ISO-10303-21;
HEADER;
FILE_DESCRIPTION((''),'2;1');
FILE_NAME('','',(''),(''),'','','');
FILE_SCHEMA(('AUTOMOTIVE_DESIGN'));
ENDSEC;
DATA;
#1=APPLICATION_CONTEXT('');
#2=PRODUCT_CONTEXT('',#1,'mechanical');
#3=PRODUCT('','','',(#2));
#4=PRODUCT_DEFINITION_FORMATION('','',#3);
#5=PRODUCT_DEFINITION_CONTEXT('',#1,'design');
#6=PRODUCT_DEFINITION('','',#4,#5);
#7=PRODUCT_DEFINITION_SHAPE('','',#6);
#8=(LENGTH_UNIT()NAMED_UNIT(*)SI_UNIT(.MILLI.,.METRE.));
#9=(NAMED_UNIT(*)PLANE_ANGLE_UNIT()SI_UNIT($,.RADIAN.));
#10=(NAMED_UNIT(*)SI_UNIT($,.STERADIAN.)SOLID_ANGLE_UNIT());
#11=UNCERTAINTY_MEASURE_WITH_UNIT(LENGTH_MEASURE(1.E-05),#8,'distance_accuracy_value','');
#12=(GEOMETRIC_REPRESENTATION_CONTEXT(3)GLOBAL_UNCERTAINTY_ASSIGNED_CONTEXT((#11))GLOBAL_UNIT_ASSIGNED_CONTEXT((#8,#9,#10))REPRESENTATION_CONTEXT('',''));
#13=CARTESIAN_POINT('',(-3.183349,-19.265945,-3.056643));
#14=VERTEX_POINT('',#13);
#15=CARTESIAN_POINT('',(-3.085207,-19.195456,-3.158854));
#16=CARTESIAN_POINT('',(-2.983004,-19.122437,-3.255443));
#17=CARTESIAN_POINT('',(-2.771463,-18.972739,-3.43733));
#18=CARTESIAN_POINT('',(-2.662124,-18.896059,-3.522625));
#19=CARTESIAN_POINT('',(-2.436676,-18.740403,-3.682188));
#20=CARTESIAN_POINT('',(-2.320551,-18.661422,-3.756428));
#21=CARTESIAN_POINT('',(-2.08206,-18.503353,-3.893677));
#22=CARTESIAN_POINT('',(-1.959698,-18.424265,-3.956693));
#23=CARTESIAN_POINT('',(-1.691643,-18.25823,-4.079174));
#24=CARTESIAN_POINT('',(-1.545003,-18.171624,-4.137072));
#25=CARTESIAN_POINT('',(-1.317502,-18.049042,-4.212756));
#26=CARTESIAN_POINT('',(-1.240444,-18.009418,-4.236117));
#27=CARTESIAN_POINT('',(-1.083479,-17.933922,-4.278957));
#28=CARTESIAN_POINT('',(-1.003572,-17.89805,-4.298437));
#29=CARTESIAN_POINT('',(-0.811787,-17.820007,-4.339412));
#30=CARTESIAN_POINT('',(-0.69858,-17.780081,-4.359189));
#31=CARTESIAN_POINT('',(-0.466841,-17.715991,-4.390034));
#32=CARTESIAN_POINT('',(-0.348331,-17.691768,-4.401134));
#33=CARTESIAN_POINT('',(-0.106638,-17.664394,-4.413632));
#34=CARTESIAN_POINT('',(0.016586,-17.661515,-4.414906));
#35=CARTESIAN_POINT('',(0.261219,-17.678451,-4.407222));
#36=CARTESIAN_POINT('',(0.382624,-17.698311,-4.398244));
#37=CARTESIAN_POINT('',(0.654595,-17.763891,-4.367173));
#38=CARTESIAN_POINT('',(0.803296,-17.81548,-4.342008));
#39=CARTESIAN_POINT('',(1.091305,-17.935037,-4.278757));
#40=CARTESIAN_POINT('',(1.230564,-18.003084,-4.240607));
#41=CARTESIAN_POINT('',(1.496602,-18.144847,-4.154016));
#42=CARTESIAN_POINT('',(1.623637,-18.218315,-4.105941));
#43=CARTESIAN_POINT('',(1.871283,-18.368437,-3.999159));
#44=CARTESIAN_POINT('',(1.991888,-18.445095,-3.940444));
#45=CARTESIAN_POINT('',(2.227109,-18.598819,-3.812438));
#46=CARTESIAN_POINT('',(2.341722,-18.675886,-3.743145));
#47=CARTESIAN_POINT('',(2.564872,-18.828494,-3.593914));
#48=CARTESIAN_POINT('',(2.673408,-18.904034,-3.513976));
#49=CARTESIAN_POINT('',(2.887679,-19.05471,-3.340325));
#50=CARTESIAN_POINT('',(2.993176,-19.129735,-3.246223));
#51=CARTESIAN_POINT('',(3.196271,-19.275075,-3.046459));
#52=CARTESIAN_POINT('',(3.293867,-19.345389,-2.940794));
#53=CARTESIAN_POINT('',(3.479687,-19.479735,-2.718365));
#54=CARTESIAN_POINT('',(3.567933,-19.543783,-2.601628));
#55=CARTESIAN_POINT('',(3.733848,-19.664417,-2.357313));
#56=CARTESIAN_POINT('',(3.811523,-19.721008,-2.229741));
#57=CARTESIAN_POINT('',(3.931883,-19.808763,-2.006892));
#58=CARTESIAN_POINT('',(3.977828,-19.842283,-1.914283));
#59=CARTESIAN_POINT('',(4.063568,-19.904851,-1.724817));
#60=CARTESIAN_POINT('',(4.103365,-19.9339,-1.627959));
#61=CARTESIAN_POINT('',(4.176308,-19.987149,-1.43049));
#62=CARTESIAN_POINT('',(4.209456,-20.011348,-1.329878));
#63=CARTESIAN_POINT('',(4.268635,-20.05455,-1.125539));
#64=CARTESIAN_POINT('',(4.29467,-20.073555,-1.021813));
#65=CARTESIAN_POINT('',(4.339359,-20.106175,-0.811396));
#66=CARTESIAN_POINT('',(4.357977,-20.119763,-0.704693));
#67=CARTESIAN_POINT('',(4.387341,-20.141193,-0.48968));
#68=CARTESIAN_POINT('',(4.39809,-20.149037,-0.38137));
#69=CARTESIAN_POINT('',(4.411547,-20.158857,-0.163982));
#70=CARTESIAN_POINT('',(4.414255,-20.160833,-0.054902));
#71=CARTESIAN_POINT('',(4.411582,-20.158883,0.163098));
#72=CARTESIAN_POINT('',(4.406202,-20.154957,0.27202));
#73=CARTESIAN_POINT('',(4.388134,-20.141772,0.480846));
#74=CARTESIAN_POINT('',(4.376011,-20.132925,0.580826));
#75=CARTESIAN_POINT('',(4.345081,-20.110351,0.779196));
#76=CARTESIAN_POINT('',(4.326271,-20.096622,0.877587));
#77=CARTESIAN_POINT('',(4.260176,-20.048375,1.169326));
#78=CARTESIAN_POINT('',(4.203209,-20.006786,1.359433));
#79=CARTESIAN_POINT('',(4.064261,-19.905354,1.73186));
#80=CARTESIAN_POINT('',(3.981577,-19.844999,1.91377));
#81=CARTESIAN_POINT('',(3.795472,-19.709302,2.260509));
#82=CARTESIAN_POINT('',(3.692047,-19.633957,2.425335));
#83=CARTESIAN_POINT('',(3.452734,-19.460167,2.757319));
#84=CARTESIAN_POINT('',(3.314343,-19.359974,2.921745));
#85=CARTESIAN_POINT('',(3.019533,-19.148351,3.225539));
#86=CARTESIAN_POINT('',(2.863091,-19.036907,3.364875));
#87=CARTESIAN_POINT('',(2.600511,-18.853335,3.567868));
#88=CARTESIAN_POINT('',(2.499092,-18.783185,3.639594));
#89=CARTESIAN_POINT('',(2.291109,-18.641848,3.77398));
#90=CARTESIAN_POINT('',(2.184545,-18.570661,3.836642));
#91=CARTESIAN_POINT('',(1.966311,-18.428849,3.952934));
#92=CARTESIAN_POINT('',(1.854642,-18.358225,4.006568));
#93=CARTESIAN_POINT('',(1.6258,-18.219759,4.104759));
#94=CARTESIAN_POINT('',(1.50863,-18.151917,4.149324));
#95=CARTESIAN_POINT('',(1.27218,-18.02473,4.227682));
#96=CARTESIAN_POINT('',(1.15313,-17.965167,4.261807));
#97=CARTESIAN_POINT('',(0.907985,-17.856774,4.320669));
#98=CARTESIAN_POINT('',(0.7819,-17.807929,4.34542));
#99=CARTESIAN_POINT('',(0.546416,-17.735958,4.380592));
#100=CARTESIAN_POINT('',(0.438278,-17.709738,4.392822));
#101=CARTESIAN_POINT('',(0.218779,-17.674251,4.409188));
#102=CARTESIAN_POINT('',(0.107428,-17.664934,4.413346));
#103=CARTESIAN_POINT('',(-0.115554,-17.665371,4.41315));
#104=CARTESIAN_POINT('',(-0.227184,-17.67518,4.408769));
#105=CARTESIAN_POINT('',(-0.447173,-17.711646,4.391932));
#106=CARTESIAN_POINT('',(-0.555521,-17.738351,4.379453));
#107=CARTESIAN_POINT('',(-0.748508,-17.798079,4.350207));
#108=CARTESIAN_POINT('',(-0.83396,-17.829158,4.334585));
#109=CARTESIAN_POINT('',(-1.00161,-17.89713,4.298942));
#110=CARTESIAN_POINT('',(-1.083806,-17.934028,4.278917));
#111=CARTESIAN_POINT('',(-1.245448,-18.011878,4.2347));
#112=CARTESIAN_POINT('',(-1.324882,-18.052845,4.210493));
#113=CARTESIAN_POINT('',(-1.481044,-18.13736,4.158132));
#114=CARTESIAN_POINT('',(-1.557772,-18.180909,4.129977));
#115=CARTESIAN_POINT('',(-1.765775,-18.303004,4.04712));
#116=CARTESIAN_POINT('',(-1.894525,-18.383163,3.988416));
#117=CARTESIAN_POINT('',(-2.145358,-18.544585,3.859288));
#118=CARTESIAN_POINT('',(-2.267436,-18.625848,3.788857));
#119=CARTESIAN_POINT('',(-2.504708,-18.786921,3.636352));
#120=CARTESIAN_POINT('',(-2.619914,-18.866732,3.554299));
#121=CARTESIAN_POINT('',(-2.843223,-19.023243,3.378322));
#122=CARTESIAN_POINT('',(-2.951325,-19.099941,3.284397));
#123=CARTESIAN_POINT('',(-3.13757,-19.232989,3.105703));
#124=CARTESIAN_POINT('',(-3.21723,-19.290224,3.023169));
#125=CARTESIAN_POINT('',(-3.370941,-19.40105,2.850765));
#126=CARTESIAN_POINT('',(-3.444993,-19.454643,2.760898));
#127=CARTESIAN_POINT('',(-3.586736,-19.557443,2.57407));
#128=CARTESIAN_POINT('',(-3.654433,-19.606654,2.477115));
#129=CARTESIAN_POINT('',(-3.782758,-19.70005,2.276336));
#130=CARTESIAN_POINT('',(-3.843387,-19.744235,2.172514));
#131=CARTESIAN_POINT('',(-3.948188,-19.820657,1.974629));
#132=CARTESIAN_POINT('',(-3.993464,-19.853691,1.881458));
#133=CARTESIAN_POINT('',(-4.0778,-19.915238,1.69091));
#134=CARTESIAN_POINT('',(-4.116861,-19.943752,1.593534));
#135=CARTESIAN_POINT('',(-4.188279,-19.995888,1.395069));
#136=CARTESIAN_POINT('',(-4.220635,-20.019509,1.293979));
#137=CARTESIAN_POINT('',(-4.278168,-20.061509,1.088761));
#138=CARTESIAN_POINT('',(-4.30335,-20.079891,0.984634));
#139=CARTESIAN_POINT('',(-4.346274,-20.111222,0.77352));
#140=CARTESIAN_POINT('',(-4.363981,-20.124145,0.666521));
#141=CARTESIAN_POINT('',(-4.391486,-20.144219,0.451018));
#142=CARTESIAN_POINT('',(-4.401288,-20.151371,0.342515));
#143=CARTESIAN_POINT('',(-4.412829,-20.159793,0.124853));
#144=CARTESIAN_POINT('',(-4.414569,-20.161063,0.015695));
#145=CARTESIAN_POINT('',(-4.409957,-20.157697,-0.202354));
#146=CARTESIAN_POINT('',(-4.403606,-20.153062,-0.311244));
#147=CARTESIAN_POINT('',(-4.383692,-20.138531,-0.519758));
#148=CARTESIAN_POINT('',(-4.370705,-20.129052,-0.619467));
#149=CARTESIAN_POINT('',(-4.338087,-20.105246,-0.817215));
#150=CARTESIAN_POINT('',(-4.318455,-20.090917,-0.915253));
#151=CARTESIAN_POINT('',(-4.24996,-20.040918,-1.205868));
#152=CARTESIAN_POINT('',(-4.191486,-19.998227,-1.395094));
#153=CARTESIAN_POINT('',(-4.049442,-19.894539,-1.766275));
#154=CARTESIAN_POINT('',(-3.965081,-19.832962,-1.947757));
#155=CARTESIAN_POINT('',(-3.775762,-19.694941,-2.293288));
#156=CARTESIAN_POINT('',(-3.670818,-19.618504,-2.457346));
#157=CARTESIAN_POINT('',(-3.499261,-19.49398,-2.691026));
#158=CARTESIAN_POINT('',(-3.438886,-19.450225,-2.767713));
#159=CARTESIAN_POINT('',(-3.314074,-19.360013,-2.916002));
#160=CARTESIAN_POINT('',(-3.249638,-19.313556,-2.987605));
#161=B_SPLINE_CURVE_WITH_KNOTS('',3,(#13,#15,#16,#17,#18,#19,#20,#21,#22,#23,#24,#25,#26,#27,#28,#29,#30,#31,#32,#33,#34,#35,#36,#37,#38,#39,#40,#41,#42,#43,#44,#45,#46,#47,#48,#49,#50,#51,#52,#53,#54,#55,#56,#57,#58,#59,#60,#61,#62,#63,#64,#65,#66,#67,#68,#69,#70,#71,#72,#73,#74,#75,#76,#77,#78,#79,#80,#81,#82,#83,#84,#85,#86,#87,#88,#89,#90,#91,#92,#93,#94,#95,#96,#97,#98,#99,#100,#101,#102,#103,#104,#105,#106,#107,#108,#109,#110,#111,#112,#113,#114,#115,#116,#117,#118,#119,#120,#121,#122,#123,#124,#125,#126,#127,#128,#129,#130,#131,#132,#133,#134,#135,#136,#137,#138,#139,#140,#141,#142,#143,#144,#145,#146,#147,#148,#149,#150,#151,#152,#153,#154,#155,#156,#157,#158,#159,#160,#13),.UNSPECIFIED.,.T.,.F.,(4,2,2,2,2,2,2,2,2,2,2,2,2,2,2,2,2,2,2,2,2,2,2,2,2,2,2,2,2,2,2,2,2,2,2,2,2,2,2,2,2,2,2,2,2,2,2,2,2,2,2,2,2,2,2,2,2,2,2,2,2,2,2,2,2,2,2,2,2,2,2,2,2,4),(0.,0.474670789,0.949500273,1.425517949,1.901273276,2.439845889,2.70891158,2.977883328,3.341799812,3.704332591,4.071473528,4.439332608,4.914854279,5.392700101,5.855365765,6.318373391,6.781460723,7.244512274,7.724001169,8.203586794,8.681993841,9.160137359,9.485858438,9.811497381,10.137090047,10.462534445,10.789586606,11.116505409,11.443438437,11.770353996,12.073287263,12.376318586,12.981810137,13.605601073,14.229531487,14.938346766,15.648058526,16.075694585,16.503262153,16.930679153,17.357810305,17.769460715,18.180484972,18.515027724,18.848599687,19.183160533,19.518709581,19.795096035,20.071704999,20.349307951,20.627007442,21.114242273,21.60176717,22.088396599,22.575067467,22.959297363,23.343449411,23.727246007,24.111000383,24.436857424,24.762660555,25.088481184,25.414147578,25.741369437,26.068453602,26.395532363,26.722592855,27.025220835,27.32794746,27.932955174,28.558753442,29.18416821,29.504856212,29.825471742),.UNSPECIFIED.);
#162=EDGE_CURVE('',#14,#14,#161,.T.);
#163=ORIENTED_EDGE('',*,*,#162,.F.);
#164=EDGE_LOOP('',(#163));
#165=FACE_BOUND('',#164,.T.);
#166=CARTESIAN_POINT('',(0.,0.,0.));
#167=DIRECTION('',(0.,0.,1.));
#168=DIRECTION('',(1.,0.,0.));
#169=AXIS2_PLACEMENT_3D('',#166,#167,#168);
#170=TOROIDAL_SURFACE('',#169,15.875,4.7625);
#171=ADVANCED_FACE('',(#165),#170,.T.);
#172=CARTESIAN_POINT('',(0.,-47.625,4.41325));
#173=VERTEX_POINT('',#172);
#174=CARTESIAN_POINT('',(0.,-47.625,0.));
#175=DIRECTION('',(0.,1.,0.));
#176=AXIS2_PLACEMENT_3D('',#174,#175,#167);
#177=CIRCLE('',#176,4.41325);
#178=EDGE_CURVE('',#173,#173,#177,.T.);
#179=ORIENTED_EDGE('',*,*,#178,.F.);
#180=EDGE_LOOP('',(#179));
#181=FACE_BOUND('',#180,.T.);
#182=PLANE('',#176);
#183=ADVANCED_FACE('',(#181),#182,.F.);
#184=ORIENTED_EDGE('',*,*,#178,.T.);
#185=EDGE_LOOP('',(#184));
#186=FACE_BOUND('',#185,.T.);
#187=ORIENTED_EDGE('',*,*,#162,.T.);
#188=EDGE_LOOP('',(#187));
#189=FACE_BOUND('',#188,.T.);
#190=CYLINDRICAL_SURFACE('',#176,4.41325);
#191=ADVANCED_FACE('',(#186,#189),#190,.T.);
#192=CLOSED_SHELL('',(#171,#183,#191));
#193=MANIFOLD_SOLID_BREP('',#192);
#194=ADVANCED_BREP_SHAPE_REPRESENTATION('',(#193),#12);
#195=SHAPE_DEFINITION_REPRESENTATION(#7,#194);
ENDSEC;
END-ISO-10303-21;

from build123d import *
from build123d.topology import SkipClean

# Parameters (mm, degrees)
SKETCH1_R           = 4.7625
SKETCH2_R           = 4.41325
BOSS_EXTRUDE1_DEPTH = 31.75


with BuildPart() as part:
    # Sketch1 → Revolve2 (revolve)
    with BuildSketch(Plane(origin=(0, 0, 0), x_dir=(0, 0, -1), z_dir=(1, 0, 0)), mode=Mode.PRIVATE) as revolve2_sk:
        with Locations((0, -15.875)):
            Circle(SKETCH1_R)
    revolve(revolve2_sk.sketch.rotate(Axis((0, 0, 0), (0, 0, -1)), 270), axis=Axis((0, 0, 0), (0, 0, -1)))

    # Sketch2 → Boss-Extrude1 (add)
    with SkipClean():  # the faces are left unmerged after this step: merging them gives an invalid solid
        with BuildSketch(Plane(origin=(0, -15.875, 0), x_dir=(1, 0, 0), z_dir=(0, 1, 0))):
            with Locations(Location((0, 0, 0), (0, 0, 270))):
                Circle(SKETCH2_R)
        extrude(amount=-BOSS_EXTRUDE1_DEPTH)


solid = part.part
